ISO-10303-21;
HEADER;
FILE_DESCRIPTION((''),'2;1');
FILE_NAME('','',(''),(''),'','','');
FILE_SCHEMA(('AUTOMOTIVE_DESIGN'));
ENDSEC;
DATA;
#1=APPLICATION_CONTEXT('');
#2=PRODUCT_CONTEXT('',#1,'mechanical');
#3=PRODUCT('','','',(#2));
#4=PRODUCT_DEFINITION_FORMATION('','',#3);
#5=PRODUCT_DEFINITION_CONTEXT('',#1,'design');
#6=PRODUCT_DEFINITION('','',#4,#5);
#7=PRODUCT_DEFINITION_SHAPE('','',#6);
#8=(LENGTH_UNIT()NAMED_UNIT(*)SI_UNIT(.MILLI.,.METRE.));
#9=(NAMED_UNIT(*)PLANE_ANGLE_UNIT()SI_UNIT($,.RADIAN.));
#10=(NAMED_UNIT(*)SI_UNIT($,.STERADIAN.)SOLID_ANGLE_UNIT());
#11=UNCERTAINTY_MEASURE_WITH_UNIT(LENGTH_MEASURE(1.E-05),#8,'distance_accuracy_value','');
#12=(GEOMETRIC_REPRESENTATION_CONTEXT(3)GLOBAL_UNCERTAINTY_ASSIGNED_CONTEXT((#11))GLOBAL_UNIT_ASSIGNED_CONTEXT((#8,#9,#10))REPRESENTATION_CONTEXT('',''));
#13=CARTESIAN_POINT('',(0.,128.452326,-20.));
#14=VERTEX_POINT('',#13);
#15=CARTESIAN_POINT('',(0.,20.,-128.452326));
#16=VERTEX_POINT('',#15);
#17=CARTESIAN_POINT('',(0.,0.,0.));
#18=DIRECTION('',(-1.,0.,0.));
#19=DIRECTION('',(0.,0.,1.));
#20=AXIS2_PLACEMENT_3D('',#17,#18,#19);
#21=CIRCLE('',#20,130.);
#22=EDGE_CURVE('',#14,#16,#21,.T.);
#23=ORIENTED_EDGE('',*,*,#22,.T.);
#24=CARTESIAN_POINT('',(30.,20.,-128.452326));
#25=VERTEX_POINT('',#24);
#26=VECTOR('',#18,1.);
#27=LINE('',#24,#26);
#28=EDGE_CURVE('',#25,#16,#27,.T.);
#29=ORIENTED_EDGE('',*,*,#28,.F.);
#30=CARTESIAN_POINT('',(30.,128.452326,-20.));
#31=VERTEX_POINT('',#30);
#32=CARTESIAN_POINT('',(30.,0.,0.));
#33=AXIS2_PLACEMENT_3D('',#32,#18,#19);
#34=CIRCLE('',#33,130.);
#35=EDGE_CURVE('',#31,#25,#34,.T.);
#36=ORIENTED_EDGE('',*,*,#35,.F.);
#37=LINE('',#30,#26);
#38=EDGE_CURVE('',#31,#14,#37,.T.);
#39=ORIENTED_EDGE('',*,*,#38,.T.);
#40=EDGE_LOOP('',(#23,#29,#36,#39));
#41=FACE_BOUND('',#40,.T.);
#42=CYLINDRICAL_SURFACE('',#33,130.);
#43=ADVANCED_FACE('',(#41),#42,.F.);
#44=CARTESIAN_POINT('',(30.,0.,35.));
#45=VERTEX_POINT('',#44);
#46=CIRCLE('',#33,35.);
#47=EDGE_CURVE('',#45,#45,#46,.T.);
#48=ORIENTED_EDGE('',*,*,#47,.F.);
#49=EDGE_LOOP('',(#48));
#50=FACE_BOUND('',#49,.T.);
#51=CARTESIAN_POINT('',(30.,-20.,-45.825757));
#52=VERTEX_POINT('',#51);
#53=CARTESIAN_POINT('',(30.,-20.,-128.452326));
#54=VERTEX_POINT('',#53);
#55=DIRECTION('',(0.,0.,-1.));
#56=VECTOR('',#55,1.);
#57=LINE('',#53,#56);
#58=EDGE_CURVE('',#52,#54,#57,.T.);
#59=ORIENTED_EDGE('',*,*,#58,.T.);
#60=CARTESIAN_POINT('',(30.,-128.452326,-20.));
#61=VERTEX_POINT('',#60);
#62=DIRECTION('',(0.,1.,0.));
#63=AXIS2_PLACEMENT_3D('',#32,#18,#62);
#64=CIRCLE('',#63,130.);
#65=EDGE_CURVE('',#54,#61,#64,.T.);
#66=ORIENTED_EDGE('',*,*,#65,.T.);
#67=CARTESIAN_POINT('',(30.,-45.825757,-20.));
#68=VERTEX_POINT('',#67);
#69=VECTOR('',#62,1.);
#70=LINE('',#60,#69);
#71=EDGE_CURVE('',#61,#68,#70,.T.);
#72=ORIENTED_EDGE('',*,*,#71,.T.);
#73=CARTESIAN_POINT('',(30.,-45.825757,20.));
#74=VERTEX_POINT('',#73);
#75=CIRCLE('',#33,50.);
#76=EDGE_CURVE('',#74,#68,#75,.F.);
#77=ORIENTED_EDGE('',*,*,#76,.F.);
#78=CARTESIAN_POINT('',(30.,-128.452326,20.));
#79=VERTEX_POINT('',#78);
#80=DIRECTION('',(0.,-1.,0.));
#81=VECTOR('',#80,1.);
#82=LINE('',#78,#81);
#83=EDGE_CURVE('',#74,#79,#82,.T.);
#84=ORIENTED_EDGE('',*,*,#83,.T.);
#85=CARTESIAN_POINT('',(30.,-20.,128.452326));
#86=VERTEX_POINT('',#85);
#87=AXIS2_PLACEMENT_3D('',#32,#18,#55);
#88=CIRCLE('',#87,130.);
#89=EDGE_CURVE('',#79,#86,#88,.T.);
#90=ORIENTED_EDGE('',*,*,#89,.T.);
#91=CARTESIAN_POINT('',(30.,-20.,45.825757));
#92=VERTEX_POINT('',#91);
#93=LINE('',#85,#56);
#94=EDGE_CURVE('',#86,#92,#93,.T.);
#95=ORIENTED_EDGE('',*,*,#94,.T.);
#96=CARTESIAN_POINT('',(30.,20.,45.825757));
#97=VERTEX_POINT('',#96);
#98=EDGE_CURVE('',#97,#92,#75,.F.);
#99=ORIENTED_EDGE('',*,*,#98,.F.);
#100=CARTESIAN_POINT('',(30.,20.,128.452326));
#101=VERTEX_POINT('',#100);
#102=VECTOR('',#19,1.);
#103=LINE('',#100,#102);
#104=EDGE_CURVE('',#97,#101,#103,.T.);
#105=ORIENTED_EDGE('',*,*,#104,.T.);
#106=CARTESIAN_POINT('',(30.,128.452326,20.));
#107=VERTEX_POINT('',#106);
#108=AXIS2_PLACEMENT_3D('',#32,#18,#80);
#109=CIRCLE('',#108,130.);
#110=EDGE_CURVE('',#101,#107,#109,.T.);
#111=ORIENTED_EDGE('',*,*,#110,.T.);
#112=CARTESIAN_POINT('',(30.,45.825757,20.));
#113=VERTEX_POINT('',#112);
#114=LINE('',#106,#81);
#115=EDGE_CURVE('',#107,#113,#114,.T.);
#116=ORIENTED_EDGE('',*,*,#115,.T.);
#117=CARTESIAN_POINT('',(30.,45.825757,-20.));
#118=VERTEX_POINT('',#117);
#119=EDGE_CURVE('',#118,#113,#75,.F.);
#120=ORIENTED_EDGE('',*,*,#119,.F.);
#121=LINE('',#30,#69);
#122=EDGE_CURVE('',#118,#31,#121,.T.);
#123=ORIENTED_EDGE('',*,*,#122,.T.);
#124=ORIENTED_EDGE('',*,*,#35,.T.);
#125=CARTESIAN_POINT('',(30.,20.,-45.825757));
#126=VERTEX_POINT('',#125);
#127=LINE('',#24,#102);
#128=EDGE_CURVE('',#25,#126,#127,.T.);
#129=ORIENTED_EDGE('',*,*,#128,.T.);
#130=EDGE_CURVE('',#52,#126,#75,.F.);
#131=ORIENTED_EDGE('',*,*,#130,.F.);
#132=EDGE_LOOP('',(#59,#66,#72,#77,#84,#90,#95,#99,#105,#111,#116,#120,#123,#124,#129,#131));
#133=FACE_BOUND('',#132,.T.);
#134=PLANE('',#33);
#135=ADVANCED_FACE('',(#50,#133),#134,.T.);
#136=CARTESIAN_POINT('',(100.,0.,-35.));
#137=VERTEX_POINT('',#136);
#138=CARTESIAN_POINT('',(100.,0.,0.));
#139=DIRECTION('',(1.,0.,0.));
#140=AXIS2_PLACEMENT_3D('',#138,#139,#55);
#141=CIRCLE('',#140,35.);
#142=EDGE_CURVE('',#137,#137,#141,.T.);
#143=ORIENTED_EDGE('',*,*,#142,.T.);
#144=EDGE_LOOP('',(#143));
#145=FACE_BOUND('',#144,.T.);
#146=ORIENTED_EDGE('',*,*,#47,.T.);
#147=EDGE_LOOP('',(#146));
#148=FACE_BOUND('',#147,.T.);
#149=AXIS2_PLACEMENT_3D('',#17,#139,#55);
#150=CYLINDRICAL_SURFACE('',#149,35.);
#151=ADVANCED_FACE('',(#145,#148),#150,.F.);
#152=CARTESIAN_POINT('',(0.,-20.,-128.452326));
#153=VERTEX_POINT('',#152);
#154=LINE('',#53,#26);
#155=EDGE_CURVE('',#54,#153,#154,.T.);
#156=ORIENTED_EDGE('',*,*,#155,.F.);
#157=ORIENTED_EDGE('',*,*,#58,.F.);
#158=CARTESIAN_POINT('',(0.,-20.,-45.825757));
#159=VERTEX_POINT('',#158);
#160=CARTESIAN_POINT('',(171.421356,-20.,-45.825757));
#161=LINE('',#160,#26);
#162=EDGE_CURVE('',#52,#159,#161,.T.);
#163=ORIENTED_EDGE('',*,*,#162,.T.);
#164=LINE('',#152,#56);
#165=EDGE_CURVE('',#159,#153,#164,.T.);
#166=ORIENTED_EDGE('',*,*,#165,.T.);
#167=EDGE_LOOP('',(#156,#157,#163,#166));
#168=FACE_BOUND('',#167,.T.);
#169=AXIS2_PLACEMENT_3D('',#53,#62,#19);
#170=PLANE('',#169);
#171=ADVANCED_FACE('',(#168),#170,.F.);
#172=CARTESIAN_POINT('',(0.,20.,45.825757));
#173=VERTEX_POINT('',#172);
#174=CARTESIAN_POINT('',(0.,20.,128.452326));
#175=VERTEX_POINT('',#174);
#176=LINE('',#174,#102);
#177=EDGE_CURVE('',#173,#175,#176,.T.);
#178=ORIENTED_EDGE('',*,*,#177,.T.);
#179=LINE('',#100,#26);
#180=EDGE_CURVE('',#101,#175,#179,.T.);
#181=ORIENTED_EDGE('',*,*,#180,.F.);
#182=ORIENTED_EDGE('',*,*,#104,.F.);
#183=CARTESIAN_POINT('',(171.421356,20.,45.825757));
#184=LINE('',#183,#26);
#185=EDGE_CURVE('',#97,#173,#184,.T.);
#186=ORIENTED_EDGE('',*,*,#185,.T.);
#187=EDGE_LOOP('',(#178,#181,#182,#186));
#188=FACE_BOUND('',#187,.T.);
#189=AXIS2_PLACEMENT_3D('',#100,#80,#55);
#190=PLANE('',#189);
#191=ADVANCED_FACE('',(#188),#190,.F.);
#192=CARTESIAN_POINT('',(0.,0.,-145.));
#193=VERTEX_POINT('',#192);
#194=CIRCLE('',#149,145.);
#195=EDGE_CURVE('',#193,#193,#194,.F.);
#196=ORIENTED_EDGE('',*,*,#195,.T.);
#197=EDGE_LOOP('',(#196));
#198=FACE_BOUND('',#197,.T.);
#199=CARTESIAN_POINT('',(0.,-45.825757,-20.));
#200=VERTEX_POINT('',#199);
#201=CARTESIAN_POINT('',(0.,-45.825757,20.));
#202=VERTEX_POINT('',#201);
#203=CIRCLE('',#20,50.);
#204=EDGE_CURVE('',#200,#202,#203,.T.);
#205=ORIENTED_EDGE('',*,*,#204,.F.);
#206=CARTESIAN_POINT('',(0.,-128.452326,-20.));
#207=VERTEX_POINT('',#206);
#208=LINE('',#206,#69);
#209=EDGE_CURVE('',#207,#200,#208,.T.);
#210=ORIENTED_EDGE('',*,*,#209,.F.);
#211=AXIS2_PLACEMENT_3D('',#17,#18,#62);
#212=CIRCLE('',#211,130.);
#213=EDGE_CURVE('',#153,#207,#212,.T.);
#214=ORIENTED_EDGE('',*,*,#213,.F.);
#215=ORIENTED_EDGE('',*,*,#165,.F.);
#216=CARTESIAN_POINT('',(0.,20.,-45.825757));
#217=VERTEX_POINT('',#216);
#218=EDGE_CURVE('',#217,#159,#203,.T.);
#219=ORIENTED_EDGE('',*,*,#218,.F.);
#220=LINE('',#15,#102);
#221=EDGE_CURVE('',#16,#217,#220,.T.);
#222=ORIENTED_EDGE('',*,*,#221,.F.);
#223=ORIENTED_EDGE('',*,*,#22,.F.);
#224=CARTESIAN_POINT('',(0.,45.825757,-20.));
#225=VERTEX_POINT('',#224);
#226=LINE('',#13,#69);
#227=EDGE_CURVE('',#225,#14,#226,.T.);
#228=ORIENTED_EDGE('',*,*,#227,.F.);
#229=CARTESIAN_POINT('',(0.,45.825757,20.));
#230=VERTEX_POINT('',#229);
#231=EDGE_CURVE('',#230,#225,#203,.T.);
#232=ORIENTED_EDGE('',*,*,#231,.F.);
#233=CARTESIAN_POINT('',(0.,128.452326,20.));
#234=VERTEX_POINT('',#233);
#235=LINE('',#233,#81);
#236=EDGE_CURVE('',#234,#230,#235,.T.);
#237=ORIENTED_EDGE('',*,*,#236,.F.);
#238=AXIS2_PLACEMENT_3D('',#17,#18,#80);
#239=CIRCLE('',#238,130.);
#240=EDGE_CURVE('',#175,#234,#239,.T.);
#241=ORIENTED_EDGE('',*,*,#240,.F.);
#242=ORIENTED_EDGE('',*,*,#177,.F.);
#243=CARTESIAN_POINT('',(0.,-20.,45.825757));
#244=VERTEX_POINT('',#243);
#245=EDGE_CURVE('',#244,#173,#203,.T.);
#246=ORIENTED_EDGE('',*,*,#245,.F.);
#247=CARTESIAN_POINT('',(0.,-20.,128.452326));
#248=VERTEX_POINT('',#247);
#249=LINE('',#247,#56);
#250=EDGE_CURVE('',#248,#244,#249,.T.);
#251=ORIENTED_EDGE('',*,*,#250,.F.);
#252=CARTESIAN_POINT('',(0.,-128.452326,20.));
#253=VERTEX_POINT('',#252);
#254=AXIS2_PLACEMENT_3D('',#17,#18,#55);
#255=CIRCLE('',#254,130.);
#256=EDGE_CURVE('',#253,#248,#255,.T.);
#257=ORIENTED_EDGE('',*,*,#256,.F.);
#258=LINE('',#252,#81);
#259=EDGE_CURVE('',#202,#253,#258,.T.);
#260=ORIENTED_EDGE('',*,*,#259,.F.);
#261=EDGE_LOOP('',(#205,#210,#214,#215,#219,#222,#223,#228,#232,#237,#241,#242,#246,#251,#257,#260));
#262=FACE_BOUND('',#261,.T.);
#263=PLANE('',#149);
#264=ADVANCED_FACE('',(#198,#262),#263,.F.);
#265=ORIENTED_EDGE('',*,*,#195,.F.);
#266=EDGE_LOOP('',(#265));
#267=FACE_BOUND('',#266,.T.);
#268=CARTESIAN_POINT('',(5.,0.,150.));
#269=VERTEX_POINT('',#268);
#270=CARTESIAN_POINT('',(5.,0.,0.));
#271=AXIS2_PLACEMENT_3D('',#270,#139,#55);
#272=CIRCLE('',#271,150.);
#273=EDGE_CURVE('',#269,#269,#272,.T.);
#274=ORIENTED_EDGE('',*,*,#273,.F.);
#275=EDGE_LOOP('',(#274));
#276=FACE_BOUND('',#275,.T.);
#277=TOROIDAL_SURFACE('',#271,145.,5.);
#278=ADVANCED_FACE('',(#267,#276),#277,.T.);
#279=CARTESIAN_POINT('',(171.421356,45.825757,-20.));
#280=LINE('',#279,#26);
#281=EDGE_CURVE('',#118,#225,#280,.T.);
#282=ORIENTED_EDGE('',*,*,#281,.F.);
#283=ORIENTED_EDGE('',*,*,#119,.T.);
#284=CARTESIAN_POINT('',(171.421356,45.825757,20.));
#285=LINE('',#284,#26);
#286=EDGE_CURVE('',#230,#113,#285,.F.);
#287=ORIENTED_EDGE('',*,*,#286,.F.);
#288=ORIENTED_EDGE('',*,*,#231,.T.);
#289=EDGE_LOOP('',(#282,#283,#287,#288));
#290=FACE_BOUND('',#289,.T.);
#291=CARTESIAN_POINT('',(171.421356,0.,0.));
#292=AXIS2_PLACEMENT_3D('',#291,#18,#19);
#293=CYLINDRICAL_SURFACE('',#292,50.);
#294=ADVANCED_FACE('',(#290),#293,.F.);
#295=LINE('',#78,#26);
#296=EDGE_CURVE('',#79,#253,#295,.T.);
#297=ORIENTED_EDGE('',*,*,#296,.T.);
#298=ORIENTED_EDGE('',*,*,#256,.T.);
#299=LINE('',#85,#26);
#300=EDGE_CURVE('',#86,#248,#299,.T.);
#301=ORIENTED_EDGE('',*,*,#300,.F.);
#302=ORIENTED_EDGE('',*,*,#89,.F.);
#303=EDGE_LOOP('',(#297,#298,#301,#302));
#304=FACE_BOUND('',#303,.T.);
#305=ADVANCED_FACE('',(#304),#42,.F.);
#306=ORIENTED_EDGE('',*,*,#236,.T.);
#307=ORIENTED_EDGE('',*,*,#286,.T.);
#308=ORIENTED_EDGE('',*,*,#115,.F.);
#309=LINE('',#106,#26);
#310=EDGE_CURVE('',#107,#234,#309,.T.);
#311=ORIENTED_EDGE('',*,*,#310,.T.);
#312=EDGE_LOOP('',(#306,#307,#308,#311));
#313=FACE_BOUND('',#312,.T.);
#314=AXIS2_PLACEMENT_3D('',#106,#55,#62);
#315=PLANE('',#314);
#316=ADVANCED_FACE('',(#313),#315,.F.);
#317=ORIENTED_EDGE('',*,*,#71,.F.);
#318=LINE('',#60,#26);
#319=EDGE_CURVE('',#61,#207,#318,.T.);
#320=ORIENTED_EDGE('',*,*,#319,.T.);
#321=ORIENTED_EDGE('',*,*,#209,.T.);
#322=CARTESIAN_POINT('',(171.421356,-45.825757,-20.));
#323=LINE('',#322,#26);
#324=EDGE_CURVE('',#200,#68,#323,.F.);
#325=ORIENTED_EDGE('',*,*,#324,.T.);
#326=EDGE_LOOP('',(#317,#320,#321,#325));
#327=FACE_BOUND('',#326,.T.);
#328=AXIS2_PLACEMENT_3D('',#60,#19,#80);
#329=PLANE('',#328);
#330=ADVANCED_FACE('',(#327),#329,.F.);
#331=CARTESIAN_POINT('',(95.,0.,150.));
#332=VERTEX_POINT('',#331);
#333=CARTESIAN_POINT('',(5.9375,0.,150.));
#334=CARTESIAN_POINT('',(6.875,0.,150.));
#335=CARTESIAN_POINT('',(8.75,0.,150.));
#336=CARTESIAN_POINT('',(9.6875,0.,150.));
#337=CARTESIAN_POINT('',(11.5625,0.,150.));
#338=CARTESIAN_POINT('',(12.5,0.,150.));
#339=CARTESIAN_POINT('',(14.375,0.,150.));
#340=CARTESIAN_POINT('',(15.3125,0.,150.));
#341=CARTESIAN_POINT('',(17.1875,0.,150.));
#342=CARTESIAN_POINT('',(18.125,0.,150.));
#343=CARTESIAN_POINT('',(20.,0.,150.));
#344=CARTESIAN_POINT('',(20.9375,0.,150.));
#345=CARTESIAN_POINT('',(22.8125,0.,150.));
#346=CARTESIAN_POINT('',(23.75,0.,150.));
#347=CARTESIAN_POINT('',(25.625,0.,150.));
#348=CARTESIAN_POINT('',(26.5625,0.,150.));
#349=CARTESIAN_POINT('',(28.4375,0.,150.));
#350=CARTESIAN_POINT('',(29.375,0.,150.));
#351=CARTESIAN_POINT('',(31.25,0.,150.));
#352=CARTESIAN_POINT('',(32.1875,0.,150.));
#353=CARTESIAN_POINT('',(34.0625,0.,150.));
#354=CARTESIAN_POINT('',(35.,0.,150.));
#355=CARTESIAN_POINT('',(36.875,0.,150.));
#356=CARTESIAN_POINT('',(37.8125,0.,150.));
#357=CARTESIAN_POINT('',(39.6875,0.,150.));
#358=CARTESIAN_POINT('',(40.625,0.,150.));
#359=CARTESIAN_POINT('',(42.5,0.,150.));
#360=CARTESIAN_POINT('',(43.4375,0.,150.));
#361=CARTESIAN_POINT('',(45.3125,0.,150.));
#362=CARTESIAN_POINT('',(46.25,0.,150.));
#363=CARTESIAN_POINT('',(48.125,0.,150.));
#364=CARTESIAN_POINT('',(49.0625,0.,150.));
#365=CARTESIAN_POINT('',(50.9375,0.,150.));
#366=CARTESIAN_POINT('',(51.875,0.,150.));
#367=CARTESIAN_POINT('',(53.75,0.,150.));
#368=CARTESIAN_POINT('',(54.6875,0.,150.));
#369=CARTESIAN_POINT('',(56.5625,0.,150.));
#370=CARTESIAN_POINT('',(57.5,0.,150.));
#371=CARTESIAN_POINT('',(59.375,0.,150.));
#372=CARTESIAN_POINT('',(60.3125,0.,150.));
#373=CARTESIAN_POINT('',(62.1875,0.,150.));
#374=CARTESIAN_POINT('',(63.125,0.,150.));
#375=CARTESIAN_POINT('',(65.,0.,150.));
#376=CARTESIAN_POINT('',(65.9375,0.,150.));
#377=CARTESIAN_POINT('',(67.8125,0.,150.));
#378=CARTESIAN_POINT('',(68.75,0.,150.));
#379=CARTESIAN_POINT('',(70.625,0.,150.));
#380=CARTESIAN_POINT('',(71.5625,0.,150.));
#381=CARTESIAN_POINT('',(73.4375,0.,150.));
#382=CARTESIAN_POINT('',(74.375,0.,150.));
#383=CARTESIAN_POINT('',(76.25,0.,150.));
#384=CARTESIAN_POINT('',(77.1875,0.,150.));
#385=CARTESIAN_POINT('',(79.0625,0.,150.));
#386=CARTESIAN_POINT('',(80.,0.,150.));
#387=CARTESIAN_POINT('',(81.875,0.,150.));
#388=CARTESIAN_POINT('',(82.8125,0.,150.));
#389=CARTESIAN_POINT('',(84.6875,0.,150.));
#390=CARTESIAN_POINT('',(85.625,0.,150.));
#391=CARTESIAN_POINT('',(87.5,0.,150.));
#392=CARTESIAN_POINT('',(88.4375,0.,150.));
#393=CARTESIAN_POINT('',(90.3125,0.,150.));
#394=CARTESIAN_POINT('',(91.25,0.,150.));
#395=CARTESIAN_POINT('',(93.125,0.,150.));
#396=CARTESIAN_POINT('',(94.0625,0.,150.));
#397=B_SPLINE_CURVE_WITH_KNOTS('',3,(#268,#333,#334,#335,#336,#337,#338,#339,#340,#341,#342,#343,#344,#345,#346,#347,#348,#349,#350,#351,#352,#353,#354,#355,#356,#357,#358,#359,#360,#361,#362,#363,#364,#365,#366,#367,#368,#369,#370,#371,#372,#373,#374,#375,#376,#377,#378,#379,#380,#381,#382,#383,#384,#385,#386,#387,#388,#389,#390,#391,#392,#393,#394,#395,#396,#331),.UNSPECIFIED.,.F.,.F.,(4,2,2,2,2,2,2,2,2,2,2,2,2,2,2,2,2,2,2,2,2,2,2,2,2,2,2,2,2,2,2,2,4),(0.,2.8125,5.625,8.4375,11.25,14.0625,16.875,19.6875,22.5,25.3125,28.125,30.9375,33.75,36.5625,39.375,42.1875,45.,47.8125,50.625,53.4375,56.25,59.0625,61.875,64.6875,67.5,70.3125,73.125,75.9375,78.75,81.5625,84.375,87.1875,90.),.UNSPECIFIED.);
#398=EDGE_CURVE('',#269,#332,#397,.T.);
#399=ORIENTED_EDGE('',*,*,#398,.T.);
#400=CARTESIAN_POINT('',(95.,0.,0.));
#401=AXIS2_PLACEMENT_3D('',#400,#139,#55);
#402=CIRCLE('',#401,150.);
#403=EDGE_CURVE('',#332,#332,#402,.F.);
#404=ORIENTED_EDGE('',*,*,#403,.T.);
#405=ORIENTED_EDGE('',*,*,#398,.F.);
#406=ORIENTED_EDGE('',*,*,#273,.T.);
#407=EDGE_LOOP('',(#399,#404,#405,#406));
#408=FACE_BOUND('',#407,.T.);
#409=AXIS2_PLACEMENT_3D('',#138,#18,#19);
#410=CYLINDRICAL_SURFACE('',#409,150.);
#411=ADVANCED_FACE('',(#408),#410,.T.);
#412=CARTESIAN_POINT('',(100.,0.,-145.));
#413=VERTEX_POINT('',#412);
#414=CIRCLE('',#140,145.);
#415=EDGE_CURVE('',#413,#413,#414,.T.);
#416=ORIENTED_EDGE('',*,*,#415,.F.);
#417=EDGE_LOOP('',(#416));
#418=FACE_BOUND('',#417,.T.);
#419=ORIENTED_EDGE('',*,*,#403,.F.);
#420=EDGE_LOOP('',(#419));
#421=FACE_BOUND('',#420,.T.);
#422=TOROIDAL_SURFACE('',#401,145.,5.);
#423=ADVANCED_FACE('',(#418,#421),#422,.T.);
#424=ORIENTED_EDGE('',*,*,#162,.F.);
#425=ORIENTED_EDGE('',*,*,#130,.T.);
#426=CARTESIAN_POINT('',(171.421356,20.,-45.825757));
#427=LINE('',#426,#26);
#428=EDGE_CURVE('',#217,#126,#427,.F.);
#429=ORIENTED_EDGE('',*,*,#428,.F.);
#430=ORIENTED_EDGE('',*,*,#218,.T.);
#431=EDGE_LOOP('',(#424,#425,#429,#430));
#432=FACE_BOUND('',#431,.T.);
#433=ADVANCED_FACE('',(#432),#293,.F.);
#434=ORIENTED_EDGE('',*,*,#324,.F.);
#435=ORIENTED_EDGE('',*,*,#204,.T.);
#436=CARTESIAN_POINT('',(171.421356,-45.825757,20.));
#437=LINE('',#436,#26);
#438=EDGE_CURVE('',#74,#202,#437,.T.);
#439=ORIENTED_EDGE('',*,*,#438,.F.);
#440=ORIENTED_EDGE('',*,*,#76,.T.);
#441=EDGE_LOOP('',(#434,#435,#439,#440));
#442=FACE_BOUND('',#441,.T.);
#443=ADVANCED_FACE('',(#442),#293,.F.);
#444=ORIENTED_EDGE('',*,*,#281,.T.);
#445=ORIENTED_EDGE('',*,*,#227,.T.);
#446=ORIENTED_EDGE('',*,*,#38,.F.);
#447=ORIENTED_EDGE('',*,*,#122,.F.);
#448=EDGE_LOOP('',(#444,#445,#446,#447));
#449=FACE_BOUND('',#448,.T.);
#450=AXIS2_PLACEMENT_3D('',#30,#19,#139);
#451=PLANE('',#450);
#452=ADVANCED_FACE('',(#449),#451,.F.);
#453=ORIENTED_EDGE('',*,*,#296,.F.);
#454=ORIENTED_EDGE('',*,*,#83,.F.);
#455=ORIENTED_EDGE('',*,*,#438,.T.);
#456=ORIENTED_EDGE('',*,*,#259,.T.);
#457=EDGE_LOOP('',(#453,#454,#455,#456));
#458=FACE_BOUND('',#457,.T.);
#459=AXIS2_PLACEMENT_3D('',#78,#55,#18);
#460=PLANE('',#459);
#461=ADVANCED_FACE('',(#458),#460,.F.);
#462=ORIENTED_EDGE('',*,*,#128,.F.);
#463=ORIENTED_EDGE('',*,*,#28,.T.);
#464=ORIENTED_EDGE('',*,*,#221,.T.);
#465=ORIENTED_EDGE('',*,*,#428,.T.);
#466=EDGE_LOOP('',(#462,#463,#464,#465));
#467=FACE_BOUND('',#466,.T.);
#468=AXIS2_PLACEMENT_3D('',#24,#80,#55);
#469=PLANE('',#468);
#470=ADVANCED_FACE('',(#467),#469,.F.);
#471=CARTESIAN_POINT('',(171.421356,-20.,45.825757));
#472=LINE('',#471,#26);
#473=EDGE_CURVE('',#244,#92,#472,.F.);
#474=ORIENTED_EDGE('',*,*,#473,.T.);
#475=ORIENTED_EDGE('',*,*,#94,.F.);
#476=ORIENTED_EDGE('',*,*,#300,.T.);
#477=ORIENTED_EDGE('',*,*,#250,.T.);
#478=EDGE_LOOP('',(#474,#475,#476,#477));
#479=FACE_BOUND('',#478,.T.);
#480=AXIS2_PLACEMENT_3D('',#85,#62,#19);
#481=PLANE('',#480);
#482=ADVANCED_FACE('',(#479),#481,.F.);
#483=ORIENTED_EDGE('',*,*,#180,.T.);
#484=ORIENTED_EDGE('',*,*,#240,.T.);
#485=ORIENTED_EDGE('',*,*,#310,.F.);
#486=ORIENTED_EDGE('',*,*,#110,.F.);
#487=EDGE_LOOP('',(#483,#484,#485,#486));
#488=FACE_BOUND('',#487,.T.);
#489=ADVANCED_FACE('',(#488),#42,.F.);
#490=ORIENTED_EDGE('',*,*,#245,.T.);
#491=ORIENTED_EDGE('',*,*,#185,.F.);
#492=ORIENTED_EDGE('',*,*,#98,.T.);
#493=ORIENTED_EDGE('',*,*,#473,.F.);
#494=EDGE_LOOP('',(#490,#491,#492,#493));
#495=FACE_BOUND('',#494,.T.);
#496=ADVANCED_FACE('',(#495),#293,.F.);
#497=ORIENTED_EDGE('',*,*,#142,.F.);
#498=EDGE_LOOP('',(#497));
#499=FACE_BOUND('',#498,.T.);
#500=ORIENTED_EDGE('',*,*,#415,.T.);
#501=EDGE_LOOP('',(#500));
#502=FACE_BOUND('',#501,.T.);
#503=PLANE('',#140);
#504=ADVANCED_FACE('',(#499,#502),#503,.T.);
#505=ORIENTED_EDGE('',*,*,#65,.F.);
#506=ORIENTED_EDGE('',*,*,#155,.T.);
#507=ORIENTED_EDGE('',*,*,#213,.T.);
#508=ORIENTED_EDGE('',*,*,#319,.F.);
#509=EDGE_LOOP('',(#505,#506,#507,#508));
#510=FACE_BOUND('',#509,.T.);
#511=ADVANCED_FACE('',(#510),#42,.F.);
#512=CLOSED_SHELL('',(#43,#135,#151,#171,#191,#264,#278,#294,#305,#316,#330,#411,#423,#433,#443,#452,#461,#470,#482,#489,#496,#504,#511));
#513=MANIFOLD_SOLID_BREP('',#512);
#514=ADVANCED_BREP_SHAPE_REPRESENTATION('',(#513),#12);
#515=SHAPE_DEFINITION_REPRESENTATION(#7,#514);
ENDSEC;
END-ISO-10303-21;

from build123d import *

# Parameters (mm, degrees)
SKETCH2_R           = 150
BOSS_EXTRUDE2_DEPTH = 100
SKETCH1_R           = 35
BOSS_EXTRUDE1_DEPTH = 60
FILLET1_R           = 5
CUT_EXTRUDE4_DEPTH  = 30
CIRPATTERN2_COUNT   = 4
SKETCH8_R           = 35
CUT_EXTRUDE5_DEPTH  = 266.706605172
SKETCH9_R           = 50
CUT_EXTRUDE6_DEPTH  = 30


with BuildPart() as part:
    # Sketch2 → Boss-Extrude2 (new body)
    with BuildSketch(Plane(origin=(0, 0, 0), x_dir=(0, 0, -1), z_dir=(1, 0, 0))):
        with Locations(Location((0, 0, 0), (0, 0, 180))):
            Circle(SKETCH2_R)
    extrude(amount=BOSS_EXTRUDE2_DEPTH)

    # Sketch1 → Boss-Extrude1 (add)
    with BuildSketch(Plane(origin=(100, 0, 0), x_dir=(0, 0, -1), z_dir=(1, 0, 0))):
        Circle(SKETCH1_R)
    extrude(amount=BOSS_EXTRUDE1_DEPTH)

    # Fillet1
    fillet1_edges = [part.edges().sort_by_distance(p)[0] for p in [
        (0, 0, -150),
        (100, 0, -150),
    ]]
    fillet(fillet1_edges, radius=FILLET1_R)

    # Sketch7 → Cut-Extrude4 (cut)
    with BuildSketch(Plane.ZY):
        with BuildLine():
            Line((-20, 128.452325787), (-20, 20))
            Line((-20, 20), (-128.452325787, 20))
            ThreePointArc((-128.452325787, 20), (-91.923881554, 91.923881554), (-20, 128.452325787))
        make_face()
    cut_extrude4 = extrude(amount=-CUT_EXTRUDE4_DEPTH, mode=Mode.SUBTRACT)

    # CirPattern2: Cut-Extrude4 ×4 about axis
    cirpattern2_axis = Axis((0, 0, 0), (1, 0, 0))
    for i in range(1, CIRPATTERN2_COUNT):
        add(cut_extrude4.rotate(cirpattern2_axis, i * 360 / CIRPATTERN2_COUNT), mode=Mode.SUBTRACT)

    # Sketch8 → Cut-Extrude5 (cut, through all)
    with BuildSketch(Plane(origin=(160, 0, 0), x_dir=(0, 0, -1), z_dir=(1, 0, 0))):
        Circle(SKETCH8_R)
    extrude(amount=-CUT_EXTRUDE5_DEPTH, mode=Mode.SUBTRACT)

    # Sketch9 → Cut-Extrude6 (cut)
    with BuildSketch(Plane.ZY):
        Circle(SKETCH9_R)
    extrude(amount=-CUT_EXTRUDE6_DEPTH, mode=Mode.SUBTRACT)


solid = part.part
